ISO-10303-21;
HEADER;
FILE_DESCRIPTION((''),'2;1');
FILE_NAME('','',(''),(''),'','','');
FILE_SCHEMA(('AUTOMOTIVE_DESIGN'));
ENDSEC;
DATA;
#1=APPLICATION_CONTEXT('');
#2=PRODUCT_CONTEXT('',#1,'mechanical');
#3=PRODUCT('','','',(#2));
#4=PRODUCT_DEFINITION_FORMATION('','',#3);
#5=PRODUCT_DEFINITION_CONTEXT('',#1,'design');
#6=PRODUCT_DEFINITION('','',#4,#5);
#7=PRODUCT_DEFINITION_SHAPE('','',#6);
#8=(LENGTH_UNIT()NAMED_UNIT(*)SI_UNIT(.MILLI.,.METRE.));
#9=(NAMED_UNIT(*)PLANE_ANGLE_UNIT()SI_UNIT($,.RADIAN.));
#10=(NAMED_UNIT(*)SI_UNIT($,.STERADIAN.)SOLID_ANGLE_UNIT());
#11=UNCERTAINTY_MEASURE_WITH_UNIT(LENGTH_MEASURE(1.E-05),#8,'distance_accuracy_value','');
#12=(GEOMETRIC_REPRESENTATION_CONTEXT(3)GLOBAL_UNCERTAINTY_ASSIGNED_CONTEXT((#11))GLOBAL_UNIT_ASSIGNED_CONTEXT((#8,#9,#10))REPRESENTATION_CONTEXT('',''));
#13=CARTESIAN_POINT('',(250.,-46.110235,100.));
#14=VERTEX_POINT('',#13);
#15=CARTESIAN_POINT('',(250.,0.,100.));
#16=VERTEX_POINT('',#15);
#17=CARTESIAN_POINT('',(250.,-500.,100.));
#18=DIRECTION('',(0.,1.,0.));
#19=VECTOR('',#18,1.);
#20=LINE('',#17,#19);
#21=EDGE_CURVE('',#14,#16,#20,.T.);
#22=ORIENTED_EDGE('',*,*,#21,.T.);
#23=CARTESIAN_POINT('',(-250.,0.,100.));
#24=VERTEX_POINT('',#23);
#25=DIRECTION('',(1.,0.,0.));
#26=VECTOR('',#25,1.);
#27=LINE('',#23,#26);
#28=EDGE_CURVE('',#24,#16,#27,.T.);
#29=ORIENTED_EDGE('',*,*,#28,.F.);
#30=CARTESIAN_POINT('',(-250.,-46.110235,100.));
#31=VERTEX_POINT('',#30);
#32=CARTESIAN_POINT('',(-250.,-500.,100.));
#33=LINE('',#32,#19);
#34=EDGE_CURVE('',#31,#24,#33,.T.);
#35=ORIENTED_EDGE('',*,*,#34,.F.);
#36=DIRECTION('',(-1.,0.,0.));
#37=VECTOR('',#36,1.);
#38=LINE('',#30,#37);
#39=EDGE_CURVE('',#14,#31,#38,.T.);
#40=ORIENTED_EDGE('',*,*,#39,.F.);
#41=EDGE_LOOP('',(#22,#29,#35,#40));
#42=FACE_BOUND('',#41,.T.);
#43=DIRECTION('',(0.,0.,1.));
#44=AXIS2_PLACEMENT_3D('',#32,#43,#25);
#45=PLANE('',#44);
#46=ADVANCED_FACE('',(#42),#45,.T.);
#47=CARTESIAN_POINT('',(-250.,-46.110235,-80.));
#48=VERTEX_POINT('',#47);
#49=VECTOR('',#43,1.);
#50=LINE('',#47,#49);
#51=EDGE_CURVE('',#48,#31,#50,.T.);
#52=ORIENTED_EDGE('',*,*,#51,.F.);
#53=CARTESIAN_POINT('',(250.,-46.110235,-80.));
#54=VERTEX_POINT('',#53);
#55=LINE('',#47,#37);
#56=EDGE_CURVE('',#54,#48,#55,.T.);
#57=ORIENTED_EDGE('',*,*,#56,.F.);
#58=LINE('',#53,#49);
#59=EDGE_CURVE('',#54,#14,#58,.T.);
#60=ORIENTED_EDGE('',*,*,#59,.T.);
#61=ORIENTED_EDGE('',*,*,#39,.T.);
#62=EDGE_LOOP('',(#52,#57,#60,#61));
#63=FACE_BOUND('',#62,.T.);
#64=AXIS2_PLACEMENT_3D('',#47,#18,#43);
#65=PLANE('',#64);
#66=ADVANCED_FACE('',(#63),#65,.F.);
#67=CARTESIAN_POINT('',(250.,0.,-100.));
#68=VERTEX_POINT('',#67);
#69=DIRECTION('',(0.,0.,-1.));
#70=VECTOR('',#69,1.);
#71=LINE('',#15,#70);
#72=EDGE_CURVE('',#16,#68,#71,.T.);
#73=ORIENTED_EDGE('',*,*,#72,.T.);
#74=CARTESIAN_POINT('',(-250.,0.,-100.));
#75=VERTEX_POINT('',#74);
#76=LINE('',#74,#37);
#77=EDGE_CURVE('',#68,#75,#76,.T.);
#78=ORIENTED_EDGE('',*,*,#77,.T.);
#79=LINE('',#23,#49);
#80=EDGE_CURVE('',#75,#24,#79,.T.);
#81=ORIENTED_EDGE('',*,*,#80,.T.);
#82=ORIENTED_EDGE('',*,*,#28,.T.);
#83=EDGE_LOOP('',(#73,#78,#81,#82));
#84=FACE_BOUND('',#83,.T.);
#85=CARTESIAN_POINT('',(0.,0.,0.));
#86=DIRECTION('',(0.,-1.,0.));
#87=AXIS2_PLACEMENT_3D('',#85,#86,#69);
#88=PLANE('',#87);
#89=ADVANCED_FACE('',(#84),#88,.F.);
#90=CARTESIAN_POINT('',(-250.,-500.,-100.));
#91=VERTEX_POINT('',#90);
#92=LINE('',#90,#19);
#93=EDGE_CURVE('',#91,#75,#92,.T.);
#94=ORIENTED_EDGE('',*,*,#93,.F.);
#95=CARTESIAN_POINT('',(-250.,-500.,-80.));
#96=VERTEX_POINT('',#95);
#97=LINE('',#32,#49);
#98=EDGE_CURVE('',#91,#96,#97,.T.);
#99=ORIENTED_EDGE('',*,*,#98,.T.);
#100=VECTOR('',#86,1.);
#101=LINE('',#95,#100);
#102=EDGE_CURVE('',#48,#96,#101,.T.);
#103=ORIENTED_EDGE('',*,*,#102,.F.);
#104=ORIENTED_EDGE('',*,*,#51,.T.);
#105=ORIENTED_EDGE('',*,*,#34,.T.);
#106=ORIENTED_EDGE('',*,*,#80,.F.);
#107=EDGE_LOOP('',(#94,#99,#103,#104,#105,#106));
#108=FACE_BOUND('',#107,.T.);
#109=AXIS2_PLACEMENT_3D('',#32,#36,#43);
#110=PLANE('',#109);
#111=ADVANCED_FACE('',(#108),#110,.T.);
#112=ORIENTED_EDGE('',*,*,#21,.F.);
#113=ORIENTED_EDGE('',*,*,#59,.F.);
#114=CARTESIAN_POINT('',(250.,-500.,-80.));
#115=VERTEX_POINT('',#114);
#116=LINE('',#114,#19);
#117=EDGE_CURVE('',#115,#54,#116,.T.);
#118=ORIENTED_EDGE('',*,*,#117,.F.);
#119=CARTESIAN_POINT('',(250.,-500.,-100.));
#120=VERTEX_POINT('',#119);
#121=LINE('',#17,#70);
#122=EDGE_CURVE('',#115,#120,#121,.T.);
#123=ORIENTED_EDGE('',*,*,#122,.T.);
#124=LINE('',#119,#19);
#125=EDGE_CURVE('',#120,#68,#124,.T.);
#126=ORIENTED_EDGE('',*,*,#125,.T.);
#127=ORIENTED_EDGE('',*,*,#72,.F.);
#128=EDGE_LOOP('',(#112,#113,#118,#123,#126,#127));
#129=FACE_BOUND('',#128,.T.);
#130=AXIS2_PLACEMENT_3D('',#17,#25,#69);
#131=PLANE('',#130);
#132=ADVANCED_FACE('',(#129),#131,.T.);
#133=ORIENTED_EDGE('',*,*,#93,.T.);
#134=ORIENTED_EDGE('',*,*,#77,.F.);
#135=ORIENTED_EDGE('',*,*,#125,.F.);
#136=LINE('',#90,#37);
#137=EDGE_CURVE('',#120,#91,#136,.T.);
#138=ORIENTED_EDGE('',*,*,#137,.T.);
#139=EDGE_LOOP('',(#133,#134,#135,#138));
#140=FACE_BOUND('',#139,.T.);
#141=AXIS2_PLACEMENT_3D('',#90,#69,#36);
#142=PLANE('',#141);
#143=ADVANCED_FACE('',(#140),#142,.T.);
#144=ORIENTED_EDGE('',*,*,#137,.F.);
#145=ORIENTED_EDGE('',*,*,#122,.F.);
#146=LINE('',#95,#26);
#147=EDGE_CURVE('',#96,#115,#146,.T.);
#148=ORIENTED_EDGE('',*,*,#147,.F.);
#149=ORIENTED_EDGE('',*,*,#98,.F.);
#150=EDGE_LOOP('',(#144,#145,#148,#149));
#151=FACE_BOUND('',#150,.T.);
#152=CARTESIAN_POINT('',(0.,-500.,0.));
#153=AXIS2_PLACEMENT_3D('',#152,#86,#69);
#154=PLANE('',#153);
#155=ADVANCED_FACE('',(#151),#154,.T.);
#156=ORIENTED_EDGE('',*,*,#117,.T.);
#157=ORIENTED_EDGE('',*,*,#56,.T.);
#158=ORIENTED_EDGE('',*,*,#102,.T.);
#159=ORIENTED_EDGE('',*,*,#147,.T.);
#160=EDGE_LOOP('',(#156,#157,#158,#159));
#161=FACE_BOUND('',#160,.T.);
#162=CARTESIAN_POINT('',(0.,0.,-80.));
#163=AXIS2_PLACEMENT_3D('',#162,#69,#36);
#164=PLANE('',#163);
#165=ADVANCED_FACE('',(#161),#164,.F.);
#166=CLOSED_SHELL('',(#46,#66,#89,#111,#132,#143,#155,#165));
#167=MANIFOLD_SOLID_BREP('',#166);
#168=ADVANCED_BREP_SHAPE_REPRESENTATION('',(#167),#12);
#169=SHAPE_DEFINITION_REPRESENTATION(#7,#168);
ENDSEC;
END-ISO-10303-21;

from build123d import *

# Parameters (mm, degrees)
SKETCH1_W           = 500
SKETCH1_H           = 200
BOSS_EXTRUDE1_DEPTH = 500
SKETCH2_W           = 500
SKETCH2_H           = 453.889764575
CUT_EXTRUDE1_DEPTH  = 180


with BuildPart() as part:
    # Sketch1 → Boss-Extrude1 (new body)
    with BuildSketch(Plane(origin=(0, 0, 0), x_dir=(1, 0, 0), z_dir=(0, 1, 0))):
        Rectangle(SKETCH1_W, SKETCH1_H)
    extrude(amount=-BOSS_EXTRUDE1_DEPTH)

    # Sketch2 → Cut-Extrude1 (cut)
    with BuildSketch(Plane.XY.offset(100)):
        with Locations((0, -273.055117713)):
            Rectangle(SKETCH2_W, SKETCH2_H)
    extrude(amount=-CUT_EXTRUDE1_DEPTH, mode=Mode.SUBTRACT)


solid = part.part
